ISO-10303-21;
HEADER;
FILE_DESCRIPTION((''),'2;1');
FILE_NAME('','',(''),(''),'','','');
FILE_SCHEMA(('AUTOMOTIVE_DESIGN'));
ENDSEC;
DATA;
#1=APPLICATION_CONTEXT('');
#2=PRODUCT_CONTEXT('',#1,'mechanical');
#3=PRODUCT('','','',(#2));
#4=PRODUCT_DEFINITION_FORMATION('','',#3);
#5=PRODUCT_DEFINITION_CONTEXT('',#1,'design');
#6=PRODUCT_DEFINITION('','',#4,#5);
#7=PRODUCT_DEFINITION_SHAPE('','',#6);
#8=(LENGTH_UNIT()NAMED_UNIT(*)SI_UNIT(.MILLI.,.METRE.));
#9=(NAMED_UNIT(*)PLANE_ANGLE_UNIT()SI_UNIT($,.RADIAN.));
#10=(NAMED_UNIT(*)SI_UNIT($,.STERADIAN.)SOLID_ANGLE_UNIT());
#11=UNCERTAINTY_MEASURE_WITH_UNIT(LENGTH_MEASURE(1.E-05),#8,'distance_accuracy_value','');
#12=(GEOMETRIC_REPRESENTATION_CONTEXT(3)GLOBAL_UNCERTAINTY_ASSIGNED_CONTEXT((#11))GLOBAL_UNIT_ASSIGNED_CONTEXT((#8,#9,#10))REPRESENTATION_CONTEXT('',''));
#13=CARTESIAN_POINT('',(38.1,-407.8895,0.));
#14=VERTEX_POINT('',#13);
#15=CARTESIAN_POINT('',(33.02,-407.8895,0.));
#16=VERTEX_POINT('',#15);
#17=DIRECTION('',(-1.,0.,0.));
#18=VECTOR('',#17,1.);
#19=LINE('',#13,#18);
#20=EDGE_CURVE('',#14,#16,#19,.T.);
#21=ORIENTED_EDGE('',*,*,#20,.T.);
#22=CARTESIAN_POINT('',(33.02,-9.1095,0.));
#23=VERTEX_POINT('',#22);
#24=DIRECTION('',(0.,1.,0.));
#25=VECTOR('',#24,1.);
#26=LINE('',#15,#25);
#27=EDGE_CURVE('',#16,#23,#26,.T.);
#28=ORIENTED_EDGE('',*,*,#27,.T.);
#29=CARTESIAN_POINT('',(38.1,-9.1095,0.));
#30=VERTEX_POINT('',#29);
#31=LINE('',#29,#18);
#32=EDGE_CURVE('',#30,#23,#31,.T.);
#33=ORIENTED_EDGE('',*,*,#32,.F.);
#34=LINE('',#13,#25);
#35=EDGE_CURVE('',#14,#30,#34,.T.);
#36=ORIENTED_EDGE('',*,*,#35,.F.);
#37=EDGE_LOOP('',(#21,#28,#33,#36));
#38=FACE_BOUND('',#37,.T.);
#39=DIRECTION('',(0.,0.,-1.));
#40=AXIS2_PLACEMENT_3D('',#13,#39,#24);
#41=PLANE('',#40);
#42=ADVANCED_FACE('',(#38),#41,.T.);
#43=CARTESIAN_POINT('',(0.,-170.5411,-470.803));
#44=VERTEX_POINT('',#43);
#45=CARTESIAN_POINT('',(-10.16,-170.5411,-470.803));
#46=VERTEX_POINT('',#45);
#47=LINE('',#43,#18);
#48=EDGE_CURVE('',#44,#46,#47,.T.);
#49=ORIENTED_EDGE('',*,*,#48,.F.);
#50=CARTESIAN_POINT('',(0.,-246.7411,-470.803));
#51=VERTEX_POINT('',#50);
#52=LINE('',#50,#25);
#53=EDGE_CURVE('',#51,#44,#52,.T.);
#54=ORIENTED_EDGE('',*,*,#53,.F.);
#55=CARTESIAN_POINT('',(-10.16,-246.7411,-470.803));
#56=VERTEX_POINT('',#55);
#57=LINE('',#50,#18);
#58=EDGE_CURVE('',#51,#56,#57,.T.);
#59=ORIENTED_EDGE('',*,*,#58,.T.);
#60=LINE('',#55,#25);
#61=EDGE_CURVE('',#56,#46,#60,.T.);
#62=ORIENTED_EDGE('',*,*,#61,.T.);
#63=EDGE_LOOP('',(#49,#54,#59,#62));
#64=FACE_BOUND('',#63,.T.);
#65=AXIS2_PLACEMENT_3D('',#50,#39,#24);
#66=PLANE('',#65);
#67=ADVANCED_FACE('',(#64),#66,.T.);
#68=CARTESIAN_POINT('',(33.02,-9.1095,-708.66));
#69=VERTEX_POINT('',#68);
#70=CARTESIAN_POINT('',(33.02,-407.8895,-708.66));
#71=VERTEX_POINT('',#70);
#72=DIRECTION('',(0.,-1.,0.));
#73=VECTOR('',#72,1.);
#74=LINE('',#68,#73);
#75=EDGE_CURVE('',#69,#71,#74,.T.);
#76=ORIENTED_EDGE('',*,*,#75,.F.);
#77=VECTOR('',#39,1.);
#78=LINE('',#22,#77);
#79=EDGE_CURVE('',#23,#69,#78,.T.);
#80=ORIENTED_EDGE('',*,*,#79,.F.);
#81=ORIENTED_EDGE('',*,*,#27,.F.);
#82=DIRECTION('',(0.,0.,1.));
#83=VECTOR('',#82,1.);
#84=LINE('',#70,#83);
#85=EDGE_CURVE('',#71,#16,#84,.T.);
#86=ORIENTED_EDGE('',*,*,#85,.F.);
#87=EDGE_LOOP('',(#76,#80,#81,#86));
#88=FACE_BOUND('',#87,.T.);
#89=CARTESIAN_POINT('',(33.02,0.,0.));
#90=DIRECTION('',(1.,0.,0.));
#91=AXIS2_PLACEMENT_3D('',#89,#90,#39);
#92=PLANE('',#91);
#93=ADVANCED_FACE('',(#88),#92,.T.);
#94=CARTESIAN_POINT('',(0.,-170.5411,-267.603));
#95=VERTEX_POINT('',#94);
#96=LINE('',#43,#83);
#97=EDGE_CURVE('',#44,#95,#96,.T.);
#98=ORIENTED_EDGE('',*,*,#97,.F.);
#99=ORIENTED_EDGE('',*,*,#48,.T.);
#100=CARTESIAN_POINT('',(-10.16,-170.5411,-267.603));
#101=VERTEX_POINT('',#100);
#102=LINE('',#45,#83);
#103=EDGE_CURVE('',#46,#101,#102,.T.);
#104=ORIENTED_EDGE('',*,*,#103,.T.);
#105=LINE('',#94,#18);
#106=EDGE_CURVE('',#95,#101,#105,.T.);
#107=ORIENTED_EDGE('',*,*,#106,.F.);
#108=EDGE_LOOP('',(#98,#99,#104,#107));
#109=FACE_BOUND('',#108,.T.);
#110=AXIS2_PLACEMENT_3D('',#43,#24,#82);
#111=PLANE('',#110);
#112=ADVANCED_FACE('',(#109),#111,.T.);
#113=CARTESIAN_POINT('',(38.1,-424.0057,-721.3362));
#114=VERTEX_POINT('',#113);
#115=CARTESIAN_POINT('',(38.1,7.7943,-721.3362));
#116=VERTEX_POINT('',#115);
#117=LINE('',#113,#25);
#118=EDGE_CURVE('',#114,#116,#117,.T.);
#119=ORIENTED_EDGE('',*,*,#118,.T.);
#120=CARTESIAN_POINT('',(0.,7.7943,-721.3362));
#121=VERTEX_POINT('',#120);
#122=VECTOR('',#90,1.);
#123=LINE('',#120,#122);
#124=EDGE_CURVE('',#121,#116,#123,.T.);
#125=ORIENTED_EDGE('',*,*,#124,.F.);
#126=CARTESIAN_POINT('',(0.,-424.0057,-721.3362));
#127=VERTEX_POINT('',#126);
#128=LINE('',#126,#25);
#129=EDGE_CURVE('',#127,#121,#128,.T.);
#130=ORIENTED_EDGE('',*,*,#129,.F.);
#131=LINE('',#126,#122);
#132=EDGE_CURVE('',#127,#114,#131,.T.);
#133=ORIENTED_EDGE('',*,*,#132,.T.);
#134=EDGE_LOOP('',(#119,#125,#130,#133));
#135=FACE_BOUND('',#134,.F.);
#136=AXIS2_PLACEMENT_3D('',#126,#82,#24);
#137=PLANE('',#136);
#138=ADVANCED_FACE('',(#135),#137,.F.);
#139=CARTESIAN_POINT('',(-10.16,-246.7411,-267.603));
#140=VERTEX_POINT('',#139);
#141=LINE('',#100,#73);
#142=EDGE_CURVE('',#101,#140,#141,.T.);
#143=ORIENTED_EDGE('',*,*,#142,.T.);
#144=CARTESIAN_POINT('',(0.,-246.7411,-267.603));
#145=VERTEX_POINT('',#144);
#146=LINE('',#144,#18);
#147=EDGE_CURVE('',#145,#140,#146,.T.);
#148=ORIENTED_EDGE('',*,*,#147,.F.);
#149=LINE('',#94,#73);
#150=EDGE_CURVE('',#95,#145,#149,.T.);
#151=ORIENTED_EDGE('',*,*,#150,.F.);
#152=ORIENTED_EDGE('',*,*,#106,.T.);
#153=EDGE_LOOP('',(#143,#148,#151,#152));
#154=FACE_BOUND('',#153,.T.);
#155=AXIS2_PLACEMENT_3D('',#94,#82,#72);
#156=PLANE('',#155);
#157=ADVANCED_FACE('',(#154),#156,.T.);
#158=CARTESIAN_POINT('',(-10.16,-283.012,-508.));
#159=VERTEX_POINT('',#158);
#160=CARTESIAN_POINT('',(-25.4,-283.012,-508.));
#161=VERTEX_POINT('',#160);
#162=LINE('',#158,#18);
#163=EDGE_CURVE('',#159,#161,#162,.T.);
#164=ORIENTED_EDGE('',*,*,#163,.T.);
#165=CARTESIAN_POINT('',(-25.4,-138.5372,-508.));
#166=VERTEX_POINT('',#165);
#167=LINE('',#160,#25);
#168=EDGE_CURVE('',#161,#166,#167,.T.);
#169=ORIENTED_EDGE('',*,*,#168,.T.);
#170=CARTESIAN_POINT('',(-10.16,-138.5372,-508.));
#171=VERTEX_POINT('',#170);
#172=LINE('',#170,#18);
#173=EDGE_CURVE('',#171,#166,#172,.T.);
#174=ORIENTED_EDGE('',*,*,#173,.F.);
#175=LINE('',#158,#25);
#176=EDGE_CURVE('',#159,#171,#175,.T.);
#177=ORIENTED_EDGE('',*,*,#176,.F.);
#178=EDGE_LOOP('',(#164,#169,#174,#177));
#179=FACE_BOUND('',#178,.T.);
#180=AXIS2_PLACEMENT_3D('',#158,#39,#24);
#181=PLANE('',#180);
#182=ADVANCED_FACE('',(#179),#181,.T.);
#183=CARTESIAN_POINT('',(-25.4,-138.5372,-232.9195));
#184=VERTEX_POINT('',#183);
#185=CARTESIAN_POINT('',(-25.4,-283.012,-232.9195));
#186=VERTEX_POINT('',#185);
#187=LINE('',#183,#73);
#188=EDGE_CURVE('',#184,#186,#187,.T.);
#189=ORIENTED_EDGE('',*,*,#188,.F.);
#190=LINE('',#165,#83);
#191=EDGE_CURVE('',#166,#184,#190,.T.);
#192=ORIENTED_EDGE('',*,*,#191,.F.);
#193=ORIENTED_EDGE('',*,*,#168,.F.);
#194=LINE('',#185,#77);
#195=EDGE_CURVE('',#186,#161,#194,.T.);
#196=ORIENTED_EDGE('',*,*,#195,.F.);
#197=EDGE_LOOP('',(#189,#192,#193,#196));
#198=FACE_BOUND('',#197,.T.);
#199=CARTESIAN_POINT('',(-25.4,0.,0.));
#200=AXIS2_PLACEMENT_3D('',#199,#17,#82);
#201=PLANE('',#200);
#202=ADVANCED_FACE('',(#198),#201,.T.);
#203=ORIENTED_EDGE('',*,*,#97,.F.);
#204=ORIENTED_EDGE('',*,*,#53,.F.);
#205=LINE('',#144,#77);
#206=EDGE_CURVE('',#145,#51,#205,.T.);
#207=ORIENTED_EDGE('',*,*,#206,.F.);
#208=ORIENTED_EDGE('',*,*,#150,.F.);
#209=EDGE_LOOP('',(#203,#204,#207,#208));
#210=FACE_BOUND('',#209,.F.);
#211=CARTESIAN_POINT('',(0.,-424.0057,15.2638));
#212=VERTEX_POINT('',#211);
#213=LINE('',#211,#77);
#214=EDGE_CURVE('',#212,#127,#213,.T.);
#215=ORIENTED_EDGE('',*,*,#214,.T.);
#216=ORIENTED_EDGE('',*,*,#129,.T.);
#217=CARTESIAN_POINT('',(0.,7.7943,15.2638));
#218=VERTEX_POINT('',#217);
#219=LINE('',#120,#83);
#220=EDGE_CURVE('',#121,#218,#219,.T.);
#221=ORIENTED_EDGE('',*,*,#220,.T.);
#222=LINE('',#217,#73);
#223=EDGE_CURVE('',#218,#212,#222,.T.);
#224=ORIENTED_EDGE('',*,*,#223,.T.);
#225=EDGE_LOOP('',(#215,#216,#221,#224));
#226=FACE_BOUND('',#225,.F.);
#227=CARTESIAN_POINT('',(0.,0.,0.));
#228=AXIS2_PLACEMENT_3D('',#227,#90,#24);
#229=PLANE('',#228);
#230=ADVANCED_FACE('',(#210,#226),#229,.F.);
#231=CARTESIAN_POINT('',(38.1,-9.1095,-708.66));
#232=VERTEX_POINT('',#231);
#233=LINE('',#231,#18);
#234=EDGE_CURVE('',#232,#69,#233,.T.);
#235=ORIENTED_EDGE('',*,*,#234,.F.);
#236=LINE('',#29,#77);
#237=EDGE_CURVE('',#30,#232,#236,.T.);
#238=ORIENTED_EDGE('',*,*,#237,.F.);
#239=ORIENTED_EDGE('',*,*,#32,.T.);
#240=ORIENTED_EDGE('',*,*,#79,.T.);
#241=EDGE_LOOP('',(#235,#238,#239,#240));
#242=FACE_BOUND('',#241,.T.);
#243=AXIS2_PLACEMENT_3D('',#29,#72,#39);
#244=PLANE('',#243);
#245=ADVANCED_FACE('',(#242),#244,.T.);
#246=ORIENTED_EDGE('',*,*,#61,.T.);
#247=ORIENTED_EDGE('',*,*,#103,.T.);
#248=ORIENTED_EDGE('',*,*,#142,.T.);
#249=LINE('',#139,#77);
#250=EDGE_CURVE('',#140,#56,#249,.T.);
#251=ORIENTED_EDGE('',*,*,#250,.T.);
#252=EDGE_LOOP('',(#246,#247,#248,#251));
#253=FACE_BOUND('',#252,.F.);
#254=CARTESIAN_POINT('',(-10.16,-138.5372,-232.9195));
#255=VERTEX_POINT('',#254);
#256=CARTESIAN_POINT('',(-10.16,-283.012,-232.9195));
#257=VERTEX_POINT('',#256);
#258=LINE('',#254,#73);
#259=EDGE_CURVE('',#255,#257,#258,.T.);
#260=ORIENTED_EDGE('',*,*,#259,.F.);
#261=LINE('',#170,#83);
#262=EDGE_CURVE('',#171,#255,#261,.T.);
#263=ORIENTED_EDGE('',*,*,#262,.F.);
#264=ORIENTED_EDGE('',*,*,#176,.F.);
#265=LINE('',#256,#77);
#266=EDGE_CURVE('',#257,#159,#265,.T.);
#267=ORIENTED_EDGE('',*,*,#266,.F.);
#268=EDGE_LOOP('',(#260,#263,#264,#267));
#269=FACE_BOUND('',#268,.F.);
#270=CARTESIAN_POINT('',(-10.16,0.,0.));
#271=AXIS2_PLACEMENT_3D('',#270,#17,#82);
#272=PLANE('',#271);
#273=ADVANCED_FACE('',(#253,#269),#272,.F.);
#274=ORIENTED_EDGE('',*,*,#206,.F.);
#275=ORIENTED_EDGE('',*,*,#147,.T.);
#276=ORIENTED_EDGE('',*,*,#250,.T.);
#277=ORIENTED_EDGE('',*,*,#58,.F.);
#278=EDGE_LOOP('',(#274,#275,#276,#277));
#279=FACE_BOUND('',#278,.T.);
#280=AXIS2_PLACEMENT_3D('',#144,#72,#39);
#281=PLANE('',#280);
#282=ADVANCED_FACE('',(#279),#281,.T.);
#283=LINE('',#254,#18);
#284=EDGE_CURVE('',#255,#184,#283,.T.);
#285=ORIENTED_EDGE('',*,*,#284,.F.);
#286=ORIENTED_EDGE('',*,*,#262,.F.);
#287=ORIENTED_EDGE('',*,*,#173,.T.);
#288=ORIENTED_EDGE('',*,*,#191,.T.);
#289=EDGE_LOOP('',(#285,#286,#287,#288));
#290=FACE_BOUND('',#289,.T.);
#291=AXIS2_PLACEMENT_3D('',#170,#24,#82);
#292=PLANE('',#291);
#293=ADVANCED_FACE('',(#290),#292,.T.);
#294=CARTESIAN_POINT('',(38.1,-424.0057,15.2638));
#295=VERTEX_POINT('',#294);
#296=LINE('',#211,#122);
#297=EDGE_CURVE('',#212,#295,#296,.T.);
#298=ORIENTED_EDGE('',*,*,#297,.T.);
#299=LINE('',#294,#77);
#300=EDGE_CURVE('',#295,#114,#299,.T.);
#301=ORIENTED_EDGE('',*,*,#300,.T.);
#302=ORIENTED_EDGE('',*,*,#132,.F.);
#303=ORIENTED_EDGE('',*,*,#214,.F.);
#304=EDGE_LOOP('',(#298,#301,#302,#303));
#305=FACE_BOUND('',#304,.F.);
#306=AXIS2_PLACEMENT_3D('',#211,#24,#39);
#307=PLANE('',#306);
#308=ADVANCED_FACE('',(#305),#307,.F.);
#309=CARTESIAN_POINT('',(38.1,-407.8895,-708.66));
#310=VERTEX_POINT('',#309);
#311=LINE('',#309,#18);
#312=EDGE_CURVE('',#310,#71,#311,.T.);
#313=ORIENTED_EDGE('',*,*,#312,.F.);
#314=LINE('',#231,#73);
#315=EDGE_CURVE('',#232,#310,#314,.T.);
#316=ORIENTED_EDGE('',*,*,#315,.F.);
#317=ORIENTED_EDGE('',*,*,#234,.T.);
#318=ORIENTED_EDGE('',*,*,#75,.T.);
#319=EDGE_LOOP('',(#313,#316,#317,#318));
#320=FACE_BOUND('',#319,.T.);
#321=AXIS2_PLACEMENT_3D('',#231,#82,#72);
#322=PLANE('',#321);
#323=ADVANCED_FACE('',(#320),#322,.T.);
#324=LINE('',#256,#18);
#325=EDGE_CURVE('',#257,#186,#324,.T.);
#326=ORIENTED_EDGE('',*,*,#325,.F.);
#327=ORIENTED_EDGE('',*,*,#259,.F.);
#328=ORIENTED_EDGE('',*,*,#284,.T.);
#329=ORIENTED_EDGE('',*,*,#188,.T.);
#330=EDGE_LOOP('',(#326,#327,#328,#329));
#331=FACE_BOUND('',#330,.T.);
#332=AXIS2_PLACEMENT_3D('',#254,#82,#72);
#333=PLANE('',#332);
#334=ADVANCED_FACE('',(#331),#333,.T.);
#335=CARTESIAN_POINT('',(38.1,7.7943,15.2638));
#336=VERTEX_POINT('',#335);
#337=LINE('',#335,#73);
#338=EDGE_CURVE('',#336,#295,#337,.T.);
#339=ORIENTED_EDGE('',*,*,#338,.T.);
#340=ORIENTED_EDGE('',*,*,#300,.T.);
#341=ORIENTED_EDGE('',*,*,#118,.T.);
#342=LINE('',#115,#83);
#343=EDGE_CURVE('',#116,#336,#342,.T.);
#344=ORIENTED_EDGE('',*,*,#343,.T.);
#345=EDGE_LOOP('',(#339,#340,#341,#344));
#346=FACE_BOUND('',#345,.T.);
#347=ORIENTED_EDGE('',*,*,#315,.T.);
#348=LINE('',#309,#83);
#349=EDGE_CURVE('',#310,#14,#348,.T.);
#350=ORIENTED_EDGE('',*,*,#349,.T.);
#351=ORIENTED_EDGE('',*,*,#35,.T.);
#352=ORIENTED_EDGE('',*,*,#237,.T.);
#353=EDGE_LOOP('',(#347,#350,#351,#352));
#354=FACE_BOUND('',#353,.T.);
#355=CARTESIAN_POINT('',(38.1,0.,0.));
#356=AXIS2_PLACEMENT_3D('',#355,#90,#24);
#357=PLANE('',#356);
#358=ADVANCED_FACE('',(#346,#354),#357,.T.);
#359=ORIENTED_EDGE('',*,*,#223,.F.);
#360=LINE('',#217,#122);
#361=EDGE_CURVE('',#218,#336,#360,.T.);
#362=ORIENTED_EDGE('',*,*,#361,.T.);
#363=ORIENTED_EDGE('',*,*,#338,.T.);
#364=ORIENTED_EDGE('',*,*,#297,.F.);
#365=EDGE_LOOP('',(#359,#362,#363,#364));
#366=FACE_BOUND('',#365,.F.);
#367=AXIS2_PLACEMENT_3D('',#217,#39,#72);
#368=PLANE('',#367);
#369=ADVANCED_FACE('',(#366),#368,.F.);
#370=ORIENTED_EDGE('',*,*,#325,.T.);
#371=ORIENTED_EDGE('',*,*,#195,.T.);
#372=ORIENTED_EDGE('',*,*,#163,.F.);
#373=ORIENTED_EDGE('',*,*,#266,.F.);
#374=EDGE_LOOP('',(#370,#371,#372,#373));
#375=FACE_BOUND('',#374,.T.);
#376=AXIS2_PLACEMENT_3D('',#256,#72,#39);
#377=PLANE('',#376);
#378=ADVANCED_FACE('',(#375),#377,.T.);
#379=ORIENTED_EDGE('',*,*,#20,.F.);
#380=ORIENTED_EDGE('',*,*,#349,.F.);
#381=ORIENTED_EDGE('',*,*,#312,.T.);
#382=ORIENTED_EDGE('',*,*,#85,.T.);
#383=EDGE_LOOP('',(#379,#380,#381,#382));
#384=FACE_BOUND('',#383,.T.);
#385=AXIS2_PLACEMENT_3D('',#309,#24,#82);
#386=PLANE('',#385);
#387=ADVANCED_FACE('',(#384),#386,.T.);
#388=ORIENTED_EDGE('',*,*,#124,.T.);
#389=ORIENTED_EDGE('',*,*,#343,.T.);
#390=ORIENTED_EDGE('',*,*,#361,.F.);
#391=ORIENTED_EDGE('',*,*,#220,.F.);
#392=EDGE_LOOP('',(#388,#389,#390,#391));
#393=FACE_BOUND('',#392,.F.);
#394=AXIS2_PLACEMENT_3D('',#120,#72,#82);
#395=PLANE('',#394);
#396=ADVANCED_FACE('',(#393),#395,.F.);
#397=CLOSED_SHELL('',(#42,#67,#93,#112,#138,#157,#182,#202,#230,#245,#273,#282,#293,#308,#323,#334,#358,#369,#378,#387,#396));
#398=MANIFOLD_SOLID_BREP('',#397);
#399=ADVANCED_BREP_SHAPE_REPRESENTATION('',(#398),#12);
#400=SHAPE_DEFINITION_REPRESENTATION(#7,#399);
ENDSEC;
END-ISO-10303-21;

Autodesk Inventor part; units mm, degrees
ref_plane "YZ Plane" through (0, 0, 0) normal (1, 0, 0) x (0, 1, 0)
ref_plane "XZ Plane" through (0, 0, 0) normal (0, 1, 0) x (-1, 0, 0)
ref_plane "XY Plane" through (0, 0, 0) normal (0, 0, 1) x (1, 0, 0)
sketch "Sketch1" plane through (0, 0, 0) normal (1, 0, 0) x (0, 1, 0)
  line L0 (7.7943, 15.2638) -> (-424.0057, 15.2638)
  line L1 (-424.0057, 15.2638) -> (-424.0057, -721.3362)
  line L2 (-424.0057, -721.3362) -> (7.7943, -721.3362)
  line L3 (7.7943, -721.3362) -> (7.7943, 15.2638)
  point P0 (0, 0)
  dimension "d0" = 431.8
  dimension "d1" = 736.6
extrude "Extrusion1" add sketch "Sketch1" along normal blind 38.1
sketch "Sketch2" plane through (38.1, 0, 0) normal (1, 0, 0) x (0, 0, -1)
  line L0 (0, -9.1095) -> (708.66, -9.1095)
  line L1 (708.66, -9.1095) -> (708.66, -407.8895)
  line L2 (708.66, -407.8895) -> (0, -407.8895)
  line L3 (0, -407.8895) -> (0, -9.1095)
  point P0 (0, 0)
  dimension "d4" = 708.66
  dimension "d5" = 398.78
extrude "Extrusion2" cut sketch "Sketch2" against normal blind 5.08
sketch "Sketch3" plane through (0, 0, 0) normal (-1, 0, 0) x (0, 0, 1)
  line L0 (-470.803, -170.5411) -> (-267.603, -170.5411)
  line L1 (-267.603, -170.5411) -> (-267.603, -246.7411)
  line L2 (-267.603, -246.7411) -> (-470.803, -246.7411)
  line L3 (-470.803, -246.7411) -> (-470.803, -170.5411)
  point P0 (0, 0)
extrude "Extrusion3" add sketch "Sketch3" along normal blind 10.16
sketch "Sketch4" plane through (-10.16, 0, 0) normal (-1, 0, 0) x (0, 0, 1)
  line L0 (-508, -138.5372) -> (-232.9195, -138.5372)
  line L1 (-232.9195, -138.5372) -> (-232.9195, -283.012)
  line L2 (-232.9195, -283.012) -> (-508, -283.012)
  line L3 (-508, -283.012) -> (-508, -138.5372)
  point P0 (0, 0)
extrude "Extrusion4" add sketch "Sketch4" along normal blind 15.24
properties part number "tv1"
